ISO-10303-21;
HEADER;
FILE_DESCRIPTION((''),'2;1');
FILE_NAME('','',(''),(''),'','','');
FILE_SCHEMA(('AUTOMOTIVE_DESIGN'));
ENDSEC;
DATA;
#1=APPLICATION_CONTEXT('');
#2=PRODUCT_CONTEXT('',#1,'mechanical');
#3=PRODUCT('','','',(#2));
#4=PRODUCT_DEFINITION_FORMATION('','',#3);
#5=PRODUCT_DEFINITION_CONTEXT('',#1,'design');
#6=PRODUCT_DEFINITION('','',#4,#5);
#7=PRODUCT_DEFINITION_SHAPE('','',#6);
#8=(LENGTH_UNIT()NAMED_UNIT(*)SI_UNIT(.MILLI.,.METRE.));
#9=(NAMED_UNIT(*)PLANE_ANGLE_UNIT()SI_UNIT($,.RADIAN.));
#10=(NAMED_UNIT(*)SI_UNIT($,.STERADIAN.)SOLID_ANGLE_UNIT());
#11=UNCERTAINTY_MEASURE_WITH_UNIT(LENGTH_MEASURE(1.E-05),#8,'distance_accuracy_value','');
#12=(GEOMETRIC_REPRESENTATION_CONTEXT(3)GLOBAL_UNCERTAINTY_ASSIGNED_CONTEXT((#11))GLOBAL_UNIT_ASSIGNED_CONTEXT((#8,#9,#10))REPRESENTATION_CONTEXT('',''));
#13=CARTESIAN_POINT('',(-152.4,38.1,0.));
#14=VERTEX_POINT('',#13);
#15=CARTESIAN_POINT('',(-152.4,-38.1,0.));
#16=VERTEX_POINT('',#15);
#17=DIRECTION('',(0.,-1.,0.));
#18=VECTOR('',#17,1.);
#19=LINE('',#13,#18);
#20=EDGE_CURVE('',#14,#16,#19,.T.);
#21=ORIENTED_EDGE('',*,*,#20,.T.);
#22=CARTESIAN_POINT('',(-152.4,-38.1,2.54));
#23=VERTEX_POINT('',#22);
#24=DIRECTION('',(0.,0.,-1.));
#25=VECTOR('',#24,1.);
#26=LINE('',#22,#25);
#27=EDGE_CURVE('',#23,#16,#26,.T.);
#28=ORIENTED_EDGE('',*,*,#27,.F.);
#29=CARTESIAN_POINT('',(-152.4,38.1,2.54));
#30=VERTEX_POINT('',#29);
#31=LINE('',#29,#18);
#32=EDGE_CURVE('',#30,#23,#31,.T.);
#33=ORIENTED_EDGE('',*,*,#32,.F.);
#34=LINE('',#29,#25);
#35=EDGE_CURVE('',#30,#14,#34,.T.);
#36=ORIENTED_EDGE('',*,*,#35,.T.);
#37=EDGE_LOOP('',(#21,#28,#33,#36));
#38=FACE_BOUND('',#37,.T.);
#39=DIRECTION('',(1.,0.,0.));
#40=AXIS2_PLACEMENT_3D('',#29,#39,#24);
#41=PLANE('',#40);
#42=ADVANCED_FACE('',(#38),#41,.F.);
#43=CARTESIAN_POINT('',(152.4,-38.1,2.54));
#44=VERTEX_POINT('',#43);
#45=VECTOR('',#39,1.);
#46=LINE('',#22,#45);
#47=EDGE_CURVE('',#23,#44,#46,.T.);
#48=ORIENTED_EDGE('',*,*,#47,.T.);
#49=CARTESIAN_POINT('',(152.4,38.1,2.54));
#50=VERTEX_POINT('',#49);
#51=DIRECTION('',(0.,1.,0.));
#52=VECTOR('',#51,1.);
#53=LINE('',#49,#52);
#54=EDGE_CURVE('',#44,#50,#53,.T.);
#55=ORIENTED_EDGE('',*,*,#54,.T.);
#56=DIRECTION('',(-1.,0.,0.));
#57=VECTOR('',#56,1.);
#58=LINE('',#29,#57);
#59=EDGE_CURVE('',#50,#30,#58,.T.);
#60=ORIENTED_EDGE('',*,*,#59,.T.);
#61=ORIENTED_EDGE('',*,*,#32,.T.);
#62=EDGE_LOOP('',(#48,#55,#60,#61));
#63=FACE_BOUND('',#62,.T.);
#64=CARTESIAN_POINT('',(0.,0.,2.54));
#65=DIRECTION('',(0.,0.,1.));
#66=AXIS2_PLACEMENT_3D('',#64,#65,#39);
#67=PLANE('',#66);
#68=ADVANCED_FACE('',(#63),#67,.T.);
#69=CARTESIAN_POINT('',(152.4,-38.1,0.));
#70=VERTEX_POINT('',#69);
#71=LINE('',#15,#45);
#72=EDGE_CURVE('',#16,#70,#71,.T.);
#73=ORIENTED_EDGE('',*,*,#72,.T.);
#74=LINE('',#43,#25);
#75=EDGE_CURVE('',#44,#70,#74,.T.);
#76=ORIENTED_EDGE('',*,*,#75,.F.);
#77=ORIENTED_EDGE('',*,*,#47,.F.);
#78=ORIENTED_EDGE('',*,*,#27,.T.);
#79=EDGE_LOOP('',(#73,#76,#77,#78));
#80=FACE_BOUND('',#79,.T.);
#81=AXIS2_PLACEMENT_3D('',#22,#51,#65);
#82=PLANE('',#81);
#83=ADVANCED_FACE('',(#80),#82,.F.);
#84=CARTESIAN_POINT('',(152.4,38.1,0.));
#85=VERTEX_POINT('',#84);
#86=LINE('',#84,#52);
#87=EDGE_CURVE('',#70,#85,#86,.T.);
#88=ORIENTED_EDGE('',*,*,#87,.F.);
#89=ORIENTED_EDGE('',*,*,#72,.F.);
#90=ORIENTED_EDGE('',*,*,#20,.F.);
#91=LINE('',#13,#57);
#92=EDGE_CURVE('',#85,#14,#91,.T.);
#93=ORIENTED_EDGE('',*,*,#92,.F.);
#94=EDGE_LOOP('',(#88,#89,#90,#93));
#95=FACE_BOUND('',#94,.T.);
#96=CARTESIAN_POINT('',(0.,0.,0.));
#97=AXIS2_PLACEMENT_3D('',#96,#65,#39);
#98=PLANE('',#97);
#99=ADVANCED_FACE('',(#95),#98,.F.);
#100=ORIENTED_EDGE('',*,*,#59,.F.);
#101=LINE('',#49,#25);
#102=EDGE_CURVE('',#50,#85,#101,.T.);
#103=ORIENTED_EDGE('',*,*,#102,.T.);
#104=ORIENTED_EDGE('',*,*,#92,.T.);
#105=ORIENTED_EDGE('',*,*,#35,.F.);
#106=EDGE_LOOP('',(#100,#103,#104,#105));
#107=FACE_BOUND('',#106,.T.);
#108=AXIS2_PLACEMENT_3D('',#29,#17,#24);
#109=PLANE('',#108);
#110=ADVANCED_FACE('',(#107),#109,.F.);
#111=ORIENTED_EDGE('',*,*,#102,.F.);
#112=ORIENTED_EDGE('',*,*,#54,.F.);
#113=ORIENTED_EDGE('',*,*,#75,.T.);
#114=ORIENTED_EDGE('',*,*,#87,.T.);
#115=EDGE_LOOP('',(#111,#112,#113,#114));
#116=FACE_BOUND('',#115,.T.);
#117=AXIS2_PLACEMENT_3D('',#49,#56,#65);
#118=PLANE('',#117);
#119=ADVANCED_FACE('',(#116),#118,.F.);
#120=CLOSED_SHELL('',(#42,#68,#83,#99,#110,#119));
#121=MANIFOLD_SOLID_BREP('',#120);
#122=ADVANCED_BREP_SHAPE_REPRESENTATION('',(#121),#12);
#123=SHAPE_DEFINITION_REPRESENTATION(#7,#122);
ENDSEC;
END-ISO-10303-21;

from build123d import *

# Parameters (mm, degrees)
SKETCH1_W           = 304.8
SKETCH1_H           = 76.2
BOSS_EXTRUDE1_DEPTH = 2.54


with BuildPart() as part:
    # Sketch1 → Boss-Extrude1 (new body)
    with BuildSketch(Plane.XY):
        Rectangle(SKETCH1_W, SKETCH1_H)
    extrude(amount=BOSS_EXTRUDE1_DEPTH)


solid = part.part
